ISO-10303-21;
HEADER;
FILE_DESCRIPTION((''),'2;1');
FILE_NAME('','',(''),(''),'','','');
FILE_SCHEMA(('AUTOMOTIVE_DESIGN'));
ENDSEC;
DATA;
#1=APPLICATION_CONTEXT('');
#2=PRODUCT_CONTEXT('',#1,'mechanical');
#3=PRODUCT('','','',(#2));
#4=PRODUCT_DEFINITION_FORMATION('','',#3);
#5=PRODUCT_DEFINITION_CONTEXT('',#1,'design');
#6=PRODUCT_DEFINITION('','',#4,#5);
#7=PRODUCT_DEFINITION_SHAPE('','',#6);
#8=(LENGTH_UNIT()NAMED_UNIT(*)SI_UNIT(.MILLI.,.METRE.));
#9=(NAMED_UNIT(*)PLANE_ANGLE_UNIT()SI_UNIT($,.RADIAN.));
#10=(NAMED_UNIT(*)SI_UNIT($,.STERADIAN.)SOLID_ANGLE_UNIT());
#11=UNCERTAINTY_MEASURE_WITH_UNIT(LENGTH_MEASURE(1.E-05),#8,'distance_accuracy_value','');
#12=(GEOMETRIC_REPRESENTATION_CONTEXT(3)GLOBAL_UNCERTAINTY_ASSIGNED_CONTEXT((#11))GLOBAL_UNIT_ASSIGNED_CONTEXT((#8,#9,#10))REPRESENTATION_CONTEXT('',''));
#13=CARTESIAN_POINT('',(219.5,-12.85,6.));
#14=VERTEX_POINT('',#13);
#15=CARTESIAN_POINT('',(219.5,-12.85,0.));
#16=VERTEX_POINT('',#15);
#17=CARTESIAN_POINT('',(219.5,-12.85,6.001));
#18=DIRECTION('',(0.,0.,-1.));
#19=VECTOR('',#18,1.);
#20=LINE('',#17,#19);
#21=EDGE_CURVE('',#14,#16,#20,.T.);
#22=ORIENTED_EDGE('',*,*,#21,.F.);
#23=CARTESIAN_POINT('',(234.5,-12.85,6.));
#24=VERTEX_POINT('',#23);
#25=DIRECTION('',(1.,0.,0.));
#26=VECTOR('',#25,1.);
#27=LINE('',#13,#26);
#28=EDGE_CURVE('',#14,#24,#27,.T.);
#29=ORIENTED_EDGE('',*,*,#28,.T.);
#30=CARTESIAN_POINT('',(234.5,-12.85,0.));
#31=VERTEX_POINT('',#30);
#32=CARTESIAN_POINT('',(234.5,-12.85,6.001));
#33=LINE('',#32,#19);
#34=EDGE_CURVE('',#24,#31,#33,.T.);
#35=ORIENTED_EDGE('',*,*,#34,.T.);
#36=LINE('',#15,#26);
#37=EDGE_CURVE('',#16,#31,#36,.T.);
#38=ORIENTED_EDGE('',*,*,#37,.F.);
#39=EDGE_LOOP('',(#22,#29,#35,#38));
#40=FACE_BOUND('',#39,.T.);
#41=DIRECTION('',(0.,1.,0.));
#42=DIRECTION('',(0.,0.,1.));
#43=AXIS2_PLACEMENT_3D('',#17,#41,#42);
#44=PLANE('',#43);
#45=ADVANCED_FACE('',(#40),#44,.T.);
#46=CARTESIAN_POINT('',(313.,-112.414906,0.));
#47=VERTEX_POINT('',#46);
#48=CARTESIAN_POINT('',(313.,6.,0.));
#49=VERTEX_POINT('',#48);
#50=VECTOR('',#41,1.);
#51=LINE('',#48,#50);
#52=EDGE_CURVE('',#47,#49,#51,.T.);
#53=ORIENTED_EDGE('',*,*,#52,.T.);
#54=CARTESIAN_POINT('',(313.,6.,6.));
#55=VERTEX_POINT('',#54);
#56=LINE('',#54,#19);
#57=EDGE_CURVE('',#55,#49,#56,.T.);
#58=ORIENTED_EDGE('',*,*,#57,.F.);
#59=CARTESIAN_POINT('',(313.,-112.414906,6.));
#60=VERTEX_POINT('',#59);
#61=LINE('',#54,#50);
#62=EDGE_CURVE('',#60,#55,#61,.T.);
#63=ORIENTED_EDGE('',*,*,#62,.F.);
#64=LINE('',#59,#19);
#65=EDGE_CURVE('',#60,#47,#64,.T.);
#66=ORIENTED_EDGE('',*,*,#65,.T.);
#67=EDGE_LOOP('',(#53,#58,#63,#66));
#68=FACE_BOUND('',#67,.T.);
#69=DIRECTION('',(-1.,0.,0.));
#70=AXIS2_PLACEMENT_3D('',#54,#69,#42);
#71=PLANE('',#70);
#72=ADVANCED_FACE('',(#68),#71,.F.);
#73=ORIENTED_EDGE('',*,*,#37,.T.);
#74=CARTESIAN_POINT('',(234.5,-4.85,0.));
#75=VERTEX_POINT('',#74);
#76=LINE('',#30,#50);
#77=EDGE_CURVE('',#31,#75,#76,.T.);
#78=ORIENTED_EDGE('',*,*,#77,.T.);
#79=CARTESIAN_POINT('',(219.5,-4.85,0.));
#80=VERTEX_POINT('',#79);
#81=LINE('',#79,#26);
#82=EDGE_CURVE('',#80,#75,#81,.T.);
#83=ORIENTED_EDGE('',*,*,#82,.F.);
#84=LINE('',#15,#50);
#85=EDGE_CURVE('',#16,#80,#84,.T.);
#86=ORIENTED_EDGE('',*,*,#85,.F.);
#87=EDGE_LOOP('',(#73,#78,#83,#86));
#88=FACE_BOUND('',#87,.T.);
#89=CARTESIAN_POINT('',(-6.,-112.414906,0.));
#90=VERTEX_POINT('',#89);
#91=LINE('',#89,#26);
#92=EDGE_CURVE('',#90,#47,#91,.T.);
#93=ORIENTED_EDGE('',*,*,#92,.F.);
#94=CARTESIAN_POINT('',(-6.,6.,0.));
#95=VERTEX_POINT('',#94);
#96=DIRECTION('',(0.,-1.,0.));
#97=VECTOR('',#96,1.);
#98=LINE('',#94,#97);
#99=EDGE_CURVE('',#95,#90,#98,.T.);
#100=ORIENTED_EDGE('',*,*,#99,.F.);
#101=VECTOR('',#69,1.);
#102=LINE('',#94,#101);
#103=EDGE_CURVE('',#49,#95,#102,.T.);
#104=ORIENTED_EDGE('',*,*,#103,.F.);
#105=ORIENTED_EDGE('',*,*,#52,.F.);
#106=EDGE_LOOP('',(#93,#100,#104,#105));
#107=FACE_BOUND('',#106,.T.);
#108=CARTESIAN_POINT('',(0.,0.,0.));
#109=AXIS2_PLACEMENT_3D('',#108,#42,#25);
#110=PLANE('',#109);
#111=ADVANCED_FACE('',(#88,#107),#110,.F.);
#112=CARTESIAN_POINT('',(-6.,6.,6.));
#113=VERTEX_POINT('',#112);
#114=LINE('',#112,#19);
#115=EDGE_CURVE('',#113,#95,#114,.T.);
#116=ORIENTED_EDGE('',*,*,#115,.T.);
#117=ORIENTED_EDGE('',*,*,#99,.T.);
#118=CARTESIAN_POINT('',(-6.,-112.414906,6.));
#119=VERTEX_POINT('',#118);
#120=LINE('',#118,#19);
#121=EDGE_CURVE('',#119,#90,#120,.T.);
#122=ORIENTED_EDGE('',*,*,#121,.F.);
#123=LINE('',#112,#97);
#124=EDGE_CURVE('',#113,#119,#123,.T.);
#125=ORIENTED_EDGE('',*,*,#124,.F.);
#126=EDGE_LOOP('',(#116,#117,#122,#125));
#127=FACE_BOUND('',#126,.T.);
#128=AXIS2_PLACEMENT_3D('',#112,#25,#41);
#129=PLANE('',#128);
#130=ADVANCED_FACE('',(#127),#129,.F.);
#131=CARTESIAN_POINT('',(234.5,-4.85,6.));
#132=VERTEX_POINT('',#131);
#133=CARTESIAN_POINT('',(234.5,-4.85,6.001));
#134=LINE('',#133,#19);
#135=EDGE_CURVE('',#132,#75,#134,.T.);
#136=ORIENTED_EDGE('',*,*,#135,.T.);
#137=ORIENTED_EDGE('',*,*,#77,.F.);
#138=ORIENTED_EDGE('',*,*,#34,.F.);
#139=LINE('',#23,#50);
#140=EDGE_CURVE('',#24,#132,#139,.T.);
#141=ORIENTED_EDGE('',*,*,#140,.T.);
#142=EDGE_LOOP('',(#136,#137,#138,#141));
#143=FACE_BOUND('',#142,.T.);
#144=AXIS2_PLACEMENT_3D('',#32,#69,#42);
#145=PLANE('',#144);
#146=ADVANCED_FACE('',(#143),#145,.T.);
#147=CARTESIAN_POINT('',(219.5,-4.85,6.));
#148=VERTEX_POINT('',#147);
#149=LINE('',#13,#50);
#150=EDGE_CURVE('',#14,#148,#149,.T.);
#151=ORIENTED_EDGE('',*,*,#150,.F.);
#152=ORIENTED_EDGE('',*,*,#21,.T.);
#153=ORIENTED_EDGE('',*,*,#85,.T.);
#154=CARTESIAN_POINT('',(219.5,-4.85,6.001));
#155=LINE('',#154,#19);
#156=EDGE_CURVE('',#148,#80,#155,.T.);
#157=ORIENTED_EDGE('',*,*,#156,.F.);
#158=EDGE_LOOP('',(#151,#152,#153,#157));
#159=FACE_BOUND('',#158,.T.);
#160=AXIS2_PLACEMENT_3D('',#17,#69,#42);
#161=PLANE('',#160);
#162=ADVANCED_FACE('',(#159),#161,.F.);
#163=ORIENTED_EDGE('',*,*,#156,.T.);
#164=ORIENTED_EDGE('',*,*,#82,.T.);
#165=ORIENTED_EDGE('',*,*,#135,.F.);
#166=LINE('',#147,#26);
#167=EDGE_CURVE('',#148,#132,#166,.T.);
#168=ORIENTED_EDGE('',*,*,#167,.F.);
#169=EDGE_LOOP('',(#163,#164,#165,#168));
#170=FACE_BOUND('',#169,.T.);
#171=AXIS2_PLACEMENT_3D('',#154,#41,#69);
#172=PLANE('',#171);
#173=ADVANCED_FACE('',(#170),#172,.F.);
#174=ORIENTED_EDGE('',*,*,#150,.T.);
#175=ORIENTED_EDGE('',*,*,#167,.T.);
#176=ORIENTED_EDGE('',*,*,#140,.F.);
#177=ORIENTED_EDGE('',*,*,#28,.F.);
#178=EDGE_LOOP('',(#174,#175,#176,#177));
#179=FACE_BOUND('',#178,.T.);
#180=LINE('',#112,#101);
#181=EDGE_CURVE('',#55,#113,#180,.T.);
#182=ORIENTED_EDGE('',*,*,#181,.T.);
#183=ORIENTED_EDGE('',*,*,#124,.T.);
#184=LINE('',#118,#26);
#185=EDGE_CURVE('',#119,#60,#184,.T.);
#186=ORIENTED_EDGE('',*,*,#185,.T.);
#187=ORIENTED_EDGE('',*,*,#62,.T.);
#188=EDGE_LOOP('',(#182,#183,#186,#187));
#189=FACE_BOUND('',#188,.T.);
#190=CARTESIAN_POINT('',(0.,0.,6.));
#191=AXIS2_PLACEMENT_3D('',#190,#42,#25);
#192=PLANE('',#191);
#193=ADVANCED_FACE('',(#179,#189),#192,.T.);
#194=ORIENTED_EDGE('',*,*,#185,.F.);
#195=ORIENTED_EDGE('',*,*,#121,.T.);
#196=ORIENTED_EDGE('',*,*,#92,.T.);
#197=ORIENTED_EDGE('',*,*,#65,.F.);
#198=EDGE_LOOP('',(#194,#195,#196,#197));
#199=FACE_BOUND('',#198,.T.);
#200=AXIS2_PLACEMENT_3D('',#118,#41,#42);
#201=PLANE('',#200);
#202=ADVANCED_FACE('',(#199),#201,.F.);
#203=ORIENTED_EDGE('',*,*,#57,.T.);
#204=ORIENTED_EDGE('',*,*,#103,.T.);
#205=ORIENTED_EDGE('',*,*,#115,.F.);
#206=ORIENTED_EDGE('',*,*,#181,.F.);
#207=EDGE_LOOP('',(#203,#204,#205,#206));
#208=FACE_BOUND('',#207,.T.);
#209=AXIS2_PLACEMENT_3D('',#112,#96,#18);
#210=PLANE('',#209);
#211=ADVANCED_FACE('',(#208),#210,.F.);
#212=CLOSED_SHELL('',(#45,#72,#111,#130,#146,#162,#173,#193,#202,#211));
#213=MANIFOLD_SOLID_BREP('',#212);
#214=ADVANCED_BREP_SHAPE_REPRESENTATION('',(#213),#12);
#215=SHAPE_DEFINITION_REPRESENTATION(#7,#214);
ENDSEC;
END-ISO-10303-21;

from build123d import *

# Parameters (mm, degrees)
ESQUISSE1_W             = 319
ESQUISSE1_H             = 118.414906094
BOSS_EXTRU_1_DEPTH      = 6
ENL_V_MAT_EXTRU_1_REACH = 334.629
ESQUISSE2_W             = 15
ESQUISSE2_H             = 8


with BuildPart() as part:
    # Esquisse1 → Boss.-Extru.1 (new body)
    with BuildSketch(Plane.XY):
        with Locations((153.5, -53.207453047)):
            Rectangle(ESQUISSE1_W, ESQUISSE1_H)
    extrude(amount=BOSS_EXTRU_1_DEPTH)

    # Esquisse2 → Enlèv. mat.-Extru.1 (cut, up to next)
    with BuildSketch(Plane(origin=(0, 0, 0), x_dir=(-1, 0, 0), z_dir=(0, 0, -1)), mode=Mode.PRIVATE) as enl_v_mat_extru_1_sk1:
        with Locations((-227, -8.85)):
            Rectangle(ESQUISSE2_W, ESQUISSE2_H)
    enl_v_mat_extru_1_tool1 = extrude(enl_v_mat_extru_1_sk1.sketch, amount=-ENL_V_MAT_EXTRU_1_REACH, mode=Mode.PRIVATE) & part.part
    add(enl_v_mat_extru_1_tool1.solids().sort_by_distance((227, -8.85, 0))[0], mode=Mode.SUBTRACT)


solid = part.part
